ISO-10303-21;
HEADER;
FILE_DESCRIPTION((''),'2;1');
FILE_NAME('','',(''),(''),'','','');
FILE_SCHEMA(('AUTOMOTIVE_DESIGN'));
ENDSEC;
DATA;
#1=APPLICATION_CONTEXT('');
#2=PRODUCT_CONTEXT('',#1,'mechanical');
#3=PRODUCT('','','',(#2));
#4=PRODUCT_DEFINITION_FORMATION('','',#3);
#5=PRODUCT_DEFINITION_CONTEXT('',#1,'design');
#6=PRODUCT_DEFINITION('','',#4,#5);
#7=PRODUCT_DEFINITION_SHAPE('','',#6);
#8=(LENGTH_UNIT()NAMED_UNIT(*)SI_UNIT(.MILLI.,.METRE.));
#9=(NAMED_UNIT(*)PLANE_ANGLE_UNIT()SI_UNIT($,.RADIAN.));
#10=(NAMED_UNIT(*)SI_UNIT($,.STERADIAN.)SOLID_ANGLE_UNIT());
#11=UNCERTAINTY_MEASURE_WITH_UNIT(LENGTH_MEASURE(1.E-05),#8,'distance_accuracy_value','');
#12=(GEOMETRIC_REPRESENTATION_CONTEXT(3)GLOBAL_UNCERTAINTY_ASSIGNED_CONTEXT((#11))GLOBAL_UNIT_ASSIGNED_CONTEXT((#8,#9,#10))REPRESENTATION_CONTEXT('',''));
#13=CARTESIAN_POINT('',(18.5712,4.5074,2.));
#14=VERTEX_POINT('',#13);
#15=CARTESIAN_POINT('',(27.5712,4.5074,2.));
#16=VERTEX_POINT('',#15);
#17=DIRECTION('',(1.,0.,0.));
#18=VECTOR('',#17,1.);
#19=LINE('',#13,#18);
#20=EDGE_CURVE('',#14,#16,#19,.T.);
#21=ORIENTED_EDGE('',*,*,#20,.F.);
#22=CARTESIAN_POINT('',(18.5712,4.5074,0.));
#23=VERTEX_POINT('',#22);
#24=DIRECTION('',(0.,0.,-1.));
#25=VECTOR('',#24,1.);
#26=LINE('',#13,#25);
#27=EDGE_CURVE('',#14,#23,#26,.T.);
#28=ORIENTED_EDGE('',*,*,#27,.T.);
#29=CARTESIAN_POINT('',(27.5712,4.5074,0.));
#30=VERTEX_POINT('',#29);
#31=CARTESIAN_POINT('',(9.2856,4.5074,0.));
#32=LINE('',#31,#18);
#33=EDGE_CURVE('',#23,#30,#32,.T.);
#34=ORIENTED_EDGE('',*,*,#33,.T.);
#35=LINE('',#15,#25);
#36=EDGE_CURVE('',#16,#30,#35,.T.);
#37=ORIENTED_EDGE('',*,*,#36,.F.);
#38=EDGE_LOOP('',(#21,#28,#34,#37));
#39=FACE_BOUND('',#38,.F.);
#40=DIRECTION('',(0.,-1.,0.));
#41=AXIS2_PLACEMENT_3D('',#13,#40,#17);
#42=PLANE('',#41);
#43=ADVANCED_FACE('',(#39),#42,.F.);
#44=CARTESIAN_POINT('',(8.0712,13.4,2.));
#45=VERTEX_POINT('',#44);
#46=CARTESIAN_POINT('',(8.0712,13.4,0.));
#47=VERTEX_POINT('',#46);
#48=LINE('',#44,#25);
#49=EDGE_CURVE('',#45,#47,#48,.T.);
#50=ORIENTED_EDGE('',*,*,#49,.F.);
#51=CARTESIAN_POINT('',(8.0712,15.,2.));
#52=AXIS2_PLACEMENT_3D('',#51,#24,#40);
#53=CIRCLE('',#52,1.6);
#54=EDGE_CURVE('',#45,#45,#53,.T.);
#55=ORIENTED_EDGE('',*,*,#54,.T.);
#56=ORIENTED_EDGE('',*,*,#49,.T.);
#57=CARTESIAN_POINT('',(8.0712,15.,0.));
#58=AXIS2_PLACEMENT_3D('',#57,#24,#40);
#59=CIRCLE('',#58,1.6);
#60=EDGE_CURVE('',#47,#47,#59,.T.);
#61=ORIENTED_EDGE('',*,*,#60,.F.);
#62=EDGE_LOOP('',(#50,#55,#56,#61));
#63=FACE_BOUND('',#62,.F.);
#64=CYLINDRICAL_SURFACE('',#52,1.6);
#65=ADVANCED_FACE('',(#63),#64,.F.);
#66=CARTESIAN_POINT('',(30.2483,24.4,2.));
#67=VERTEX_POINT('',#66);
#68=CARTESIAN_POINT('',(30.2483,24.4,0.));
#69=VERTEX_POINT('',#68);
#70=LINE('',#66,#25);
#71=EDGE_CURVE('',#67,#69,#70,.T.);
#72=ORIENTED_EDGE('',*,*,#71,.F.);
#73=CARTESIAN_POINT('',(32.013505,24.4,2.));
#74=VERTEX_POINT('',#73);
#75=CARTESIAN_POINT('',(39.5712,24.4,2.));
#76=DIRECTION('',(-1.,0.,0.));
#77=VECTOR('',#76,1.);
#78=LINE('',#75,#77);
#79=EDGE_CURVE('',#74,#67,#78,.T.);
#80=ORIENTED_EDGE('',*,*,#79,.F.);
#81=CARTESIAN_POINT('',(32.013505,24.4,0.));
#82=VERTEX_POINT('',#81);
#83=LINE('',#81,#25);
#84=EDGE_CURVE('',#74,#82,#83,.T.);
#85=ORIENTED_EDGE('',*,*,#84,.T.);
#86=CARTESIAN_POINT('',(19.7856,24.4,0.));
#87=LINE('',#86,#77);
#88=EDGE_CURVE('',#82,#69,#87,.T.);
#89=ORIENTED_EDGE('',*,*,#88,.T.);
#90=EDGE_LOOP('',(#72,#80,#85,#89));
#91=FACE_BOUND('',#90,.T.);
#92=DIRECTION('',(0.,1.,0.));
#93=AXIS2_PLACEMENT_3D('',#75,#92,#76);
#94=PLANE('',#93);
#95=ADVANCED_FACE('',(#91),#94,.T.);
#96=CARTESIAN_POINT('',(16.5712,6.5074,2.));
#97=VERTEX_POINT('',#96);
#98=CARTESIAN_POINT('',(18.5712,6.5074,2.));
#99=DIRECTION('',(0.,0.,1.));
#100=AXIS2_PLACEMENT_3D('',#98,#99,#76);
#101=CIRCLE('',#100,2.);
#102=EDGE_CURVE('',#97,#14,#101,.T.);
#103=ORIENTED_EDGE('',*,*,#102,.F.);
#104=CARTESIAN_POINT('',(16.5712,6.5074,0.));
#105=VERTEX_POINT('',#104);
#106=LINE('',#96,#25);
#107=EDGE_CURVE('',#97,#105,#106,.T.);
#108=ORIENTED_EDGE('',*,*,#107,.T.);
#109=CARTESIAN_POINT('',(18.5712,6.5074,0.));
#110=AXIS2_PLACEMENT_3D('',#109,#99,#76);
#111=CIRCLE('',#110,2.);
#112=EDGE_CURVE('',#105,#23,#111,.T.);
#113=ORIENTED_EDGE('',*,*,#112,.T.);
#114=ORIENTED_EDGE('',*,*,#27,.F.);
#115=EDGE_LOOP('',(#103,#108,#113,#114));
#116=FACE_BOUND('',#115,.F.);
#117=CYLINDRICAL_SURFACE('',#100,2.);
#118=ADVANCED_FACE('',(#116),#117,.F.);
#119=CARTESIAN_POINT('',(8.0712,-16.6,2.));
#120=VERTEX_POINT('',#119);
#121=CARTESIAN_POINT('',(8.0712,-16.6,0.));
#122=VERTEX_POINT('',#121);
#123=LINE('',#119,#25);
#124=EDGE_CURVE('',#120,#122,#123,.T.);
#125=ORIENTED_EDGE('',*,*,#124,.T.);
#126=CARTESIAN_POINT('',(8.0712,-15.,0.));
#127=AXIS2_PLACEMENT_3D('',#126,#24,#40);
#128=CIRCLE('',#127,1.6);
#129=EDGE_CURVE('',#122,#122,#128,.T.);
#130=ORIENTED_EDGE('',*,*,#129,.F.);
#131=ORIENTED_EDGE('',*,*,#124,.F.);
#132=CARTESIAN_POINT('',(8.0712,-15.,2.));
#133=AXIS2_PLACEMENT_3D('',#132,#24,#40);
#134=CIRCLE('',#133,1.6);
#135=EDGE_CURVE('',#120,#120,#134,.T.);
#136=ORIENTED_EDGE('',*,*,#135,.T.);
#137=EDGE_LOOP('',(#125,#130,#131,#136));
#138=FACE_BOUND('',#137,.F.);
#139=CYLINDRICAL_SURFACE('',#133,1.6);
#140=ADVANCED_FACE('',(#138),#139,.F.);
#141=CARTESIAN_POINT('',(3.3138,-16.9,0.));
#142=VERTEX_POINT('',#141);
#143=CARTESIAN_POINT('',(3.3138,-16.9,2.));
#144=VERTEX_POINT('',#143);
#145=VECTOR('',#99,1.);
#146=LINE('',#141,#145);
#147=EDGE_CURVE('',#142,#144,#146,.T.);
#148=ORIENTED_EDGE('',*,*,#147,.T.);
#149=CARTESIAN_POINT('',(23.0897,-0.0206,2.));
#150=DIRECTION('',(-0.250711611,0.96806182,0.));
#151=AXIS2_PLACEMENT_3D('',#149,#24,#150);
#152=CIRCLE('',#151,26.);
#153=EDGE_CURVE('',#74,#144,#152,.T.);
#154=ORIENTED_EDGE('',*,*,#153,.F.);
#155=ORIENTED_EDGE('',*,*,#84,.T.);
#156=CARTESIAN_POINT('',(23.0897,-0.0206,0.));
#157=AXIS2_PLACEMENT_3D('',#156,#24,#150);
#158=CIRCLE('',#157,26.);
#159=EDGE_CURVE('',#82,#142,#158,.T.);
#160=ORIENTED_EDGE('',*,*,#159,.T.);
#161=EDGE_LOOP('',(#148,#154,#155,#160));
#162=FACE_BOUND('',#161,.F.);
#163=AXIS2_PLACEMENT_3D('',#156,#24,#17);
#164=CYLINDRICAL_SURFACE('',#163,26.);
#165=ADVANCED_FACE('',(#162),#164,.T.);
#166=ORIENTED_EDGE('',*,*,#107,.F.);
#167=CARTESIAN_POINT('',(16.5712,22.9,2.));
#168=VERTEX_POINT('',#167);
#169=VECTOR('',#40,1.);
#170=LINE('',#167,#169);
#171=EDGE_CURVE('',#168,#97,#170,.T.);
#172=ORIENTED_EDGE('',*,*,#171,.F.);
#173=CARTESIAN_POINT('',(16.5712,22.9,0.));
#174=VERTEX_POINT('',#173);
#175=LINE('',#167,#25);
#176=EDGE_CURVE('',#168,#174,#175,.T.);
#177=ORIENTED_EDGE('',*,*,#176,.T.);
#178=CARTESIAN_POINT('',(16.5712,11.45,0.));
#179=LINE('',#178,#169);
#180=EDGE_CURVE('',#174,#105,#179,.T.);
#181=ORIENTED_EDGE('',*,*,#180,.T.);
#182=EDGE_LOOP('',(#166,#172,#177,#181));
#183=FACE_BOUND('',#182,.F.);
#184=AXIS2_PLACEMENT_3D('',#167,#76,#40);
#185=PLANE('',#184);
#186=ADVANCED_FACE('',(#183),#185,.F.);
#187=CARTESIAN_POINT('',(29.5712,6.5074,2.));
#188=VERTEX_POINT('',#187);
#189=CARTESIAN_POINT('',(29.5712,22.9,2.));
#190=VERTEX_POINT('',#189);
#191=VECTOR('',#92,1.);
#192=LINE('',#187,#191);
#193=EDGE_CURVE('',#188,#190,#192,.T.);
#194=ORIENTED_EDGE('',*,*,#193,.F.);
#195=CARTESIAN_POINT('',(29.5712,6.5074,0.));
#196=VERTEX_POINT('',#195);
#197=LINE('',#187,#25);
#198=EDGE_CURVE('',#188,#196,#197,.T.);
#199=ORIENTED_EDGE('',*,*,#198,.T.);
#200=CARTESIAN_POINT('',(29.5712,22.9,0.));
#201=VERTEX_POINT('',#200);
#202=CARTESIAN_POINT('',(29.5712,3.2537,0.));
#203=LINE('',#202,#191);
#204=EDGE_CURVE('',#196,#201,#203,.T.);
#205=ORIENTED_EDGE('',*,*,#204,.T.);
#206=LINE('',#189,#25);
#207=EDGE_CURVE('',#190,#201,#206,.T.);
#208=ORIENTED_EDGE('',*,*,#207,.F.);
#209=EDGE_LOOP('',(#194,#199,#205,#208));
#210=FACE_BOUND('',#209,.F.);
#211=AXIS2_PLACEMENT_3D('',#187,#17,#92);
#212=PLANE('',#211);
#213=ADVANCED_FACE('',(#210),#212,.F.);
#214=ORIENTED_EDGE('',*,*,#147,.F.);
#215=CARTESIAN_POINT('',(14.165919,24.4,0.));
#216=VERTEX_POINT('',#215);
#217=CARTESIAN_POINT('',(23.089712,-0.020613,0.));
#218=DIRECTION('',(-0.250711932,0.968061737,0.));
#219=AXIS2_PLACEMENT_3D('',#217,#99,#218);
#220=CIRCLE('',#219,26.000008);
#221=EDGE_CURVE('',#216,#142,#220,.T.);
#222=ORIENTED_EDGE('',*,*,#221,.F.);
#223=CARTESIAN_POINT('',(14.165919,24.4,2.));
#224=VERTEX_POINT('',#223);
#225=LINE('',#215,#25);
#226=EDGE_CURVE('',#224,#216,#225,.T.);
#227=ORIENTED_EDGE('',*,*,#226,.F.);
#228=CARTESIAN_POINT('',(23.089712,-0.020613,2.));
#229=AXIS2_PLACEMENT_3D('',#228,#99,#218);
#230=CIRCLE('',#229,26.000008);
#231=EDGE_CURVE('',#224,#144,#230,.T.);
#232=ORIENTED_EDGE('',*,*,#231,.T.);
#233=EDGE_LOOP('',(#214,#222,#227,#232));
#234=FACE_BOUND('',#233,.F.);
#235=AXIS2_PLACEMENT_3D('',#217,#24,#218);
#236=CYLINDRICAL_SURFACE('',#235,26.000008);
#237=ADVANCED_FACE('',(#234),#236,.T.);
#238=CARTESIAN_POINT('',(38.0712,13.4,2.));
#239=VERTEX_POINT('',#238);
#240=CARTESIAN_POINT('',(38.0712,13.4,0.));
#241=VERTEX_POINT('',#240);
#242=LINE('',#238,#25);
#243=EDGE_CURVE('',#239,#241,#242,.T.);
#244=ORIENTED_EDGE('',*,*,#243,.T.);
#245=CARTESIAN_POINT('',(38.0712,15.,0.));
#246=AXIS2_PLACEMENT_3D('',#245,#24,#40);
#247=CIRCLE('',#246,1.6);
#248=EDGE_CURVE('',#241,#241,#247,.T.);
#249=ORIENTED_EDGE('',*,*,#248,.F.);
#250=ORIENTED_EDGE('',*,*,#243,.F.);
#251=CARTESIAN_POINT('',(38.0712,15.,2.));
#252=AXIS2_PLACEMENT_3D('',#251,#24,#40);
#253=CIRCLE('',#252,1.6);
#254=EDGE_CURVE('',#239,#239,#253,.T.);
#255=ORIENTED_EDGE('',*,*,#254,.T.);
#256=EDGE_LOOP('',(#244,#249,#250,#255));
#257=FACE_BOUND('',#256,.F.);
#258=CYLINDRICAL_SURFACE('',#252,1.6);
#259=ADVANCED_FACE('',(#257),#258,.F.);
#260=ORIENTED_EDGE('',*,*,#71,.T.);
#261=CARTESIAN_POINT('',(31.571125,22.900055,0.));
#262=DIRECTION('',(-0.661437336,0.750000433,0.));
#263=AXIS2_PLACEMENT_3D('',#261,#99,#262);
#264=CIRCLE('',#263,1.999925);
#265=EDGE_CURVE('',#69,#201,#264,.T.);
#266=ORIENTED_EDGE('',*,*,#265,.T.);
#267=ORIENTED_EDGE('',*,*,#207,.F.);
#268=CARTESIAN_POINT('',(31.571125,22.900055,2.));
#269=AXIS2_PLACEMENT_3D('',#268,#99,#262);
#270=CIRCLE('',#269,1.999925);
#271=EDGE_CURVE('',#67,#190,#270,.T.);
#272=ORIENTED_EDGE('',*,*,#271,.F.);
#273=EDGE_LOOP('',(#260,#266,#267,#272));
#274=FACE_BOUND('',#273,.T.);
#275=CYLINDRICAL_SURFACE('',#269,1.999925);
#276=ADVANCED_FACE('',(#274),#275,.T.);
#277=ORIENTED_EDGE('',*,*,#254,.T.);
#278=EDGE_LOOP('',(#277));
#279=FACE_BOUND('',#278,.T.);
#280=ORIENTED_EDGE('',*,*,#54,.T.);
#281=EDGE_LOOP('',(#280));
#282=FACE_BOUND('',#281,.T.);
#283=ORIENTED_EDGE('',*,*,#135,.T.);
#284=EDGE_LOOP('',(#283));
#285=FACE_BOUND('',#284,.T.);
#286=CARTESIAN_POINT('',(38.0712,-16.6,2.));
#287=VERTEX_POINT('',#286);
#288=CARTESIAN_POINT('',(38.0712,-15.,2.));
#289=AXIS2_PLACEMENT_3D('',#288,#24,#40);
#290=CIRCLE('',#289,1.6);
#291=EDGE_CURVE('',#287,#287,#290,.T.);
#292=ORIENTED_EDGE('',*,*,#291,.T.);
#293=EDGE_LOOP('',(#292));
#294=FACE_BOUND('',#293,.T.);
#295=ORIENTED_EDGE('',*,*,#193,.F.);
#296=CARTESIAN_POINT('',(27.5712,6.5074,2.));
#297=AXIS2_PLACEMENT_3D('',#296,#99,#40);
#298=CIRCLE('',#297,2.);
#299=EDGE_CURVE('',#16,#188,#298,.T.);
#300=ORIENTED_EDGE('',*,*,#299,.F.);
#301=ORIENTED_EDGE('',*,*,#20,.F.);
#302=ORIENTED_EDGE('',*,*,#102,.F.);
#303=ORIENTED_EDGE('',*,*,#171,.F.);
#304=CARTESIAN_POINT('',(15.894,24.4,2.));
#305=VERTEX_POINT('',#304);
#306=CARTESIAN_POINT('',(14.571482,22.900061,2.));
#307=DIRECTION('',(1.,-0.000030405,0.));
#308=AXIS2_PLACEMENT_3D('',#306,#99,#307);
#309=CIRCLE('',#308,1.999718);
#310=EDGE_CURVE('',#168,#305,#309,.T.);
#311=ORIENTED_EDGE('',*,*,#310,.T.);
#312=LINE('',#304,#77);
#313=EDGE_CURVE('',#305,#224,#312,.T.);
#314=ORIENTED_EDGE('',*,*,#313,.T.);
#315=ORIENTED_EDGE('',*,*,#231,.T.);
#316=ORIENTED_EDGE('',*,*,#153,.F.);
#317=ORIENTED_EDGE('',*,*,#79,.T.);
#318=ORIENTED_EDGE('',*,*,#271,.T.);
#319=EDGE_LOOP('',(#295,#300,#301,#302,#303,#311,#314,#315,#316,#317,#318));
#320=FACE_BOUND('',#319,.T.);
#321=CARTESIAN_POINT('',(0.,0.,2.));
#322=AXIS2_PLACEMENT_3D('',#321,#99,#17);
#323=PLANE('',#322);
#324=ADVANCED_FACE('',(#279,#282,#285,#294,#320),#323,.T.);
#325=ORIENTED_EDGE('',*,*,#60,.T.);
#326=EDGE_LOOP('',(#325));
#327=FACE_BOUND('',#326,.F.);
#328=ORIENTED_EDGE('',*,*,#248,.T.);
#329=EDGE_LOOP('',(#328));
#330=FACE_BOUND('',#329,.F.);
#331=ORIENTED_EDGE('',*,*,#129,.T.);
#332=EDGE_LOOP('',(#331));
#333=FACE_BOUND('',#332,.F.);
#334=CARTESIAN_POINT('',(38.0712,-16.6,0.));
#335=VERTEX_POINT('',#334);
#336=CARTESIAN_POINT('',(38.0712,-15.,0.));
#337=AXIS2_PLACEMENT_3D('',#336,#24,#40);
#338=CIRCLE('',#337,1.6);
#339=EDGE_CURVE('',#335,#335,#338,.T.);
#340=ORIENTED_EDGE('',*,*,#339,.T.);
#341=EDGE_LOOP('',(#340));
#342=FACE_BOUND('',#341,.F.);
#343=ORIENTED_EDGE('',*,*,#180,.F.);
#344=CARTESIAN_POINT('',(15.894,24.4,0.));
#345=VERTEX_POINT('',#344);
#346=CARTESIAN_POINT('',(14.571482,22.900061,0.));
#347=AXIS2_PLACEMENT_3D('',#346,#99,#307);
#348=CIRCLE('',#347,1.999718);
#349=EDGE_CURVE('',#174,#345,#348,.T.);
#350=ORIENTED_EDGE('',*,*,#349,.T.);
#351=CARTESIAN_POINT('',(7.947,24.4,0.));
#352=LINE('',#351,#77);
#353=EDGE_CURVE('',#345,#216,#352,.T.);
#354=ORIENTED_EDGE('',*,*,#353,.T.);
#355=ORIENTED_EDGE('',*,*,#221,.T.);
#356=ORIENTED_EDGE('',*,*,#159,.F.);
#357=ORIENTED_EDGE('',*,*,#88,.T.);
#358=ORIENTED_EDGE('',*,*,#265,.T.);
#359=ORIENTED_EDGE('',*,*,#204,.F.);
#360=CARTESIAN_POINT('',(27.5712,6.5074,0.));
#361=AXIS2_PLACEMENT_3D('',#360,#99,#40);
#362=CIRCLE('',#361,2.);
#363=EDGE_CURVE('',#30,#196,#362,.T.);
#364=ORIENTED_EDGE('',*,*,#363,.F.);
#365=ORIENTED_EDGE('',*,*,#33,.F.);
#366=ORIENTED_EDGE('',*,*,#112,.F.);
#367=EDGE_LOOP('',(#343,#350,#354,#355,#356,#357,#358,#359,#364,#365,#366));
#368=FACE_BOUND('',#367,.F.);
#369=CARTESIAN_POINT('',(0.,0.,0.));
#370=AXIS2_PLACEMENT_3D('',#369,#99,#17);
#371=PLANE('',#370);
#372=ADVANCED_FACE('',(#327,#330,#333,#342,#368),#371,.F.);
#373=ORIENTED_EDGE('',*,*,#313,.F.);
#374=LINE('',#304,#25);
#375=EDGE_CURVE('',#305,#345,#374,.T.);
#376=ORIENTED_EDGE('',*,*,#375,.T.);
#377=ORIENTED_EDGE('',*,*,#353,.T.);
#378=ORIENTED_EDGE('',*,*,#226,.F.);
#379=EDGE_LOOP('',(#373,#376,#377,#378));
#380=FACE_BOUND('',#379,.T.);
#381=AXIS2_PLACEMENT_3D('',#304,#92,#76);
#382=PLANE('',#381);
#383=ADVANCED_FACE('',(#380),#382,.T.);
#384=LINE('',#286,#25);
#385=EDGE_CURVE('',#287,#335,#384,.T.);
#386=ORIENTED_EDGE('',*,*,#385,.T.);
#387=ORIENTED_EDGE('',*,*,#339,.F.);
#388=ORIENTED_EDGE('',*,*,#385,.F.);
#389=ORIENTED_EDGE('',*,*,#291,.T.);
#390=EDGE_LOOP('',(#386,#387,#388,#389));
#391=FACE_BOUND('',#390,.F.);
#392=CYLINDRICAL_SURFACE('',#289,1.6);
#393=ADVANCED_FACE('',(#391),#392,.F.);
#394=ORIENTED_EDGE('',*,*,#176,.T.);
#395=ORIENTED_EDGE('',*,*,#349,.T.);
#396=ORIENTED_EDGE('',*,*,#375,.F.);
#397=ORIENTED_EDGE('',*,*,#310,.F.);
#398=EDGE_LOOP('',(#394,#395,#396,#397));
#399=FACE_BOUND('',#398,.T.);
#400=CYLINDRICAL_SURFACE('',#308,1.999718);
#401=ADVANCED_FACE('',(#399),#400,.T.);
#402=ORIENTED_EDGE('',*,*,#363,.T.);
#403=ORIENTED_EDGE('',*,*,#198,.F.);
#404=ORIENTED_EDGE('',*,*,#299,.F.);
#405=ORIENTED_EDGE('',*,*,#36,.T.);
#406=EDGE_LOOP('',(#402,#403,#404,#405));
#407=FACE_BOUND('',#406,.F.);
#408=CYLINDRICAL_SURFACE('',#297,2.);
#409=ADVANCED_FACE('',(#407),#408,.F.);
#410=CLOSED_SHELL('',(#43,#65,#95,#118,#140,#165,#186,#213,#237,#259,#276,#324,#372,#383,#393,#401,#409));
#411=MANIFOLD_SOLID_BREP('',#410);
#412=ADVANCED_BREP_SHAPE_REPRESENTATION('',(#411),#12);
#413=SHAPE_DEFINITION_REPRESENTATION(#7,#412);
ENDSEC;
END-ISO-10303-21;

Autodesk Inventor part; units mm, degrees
ref_plane "YZ Plane" through (0, 0, 0) normal (1, 0, 0) x (0, 1, 0)
ref_plane "XZ Plane" through (0, 0, 0) normal (0, 1, 0) x (-1, 0, 0)
ref_plane "XY Plane" through (0, 0, 0) normal (0, 0, 1) x (1, 0, 0)
ref_plane "Arbeitsebene1" through (0, 0, 0) normal (0, 0, 1) x (1, 0, 0)
sketch "Skizze1" plane through (0, 0, 0) normal (0, 0, 1) x (1, 0, 0)
  line L0 (8.0712, 15) -> (38.0712, 15)
  line L1 (38.0712, 15) -> (38.0712, -15)
  line L2 (38.0712, -15) -> (8.0712, -15)
  line L3 (8.0712, -15) -> (8.0712, 15)
  line L4 (38.0712, 19) -> (8.0712, 19)
  line L5 (4.0712, 15) -> (4.0712, -15)
  line L6 (8.0712, -19) -> (38.0712, -19)
  line L7 (42.0712, -15) -> (42.0712, 15)
  arc A0 (8.0712, 19) -> (4.0712, 15) centre (8.0712, 15) ccw
  arc A1 (42.0712, 15) -> (38.0712, 19) centre (38.0712, 15) ccw
  arc A2 (38.0712, -19) -> (42.0712, -15) centre (38.0712, -15) ccw
  arc A3 (4.0712, -15) -> (8.0712, -19) centre (8.0712, -15) ccw
  line L8 (29.9712, -18.3074) -> (29.9712, -24.4) projected
  circle A4 centre (38.0712, -15) radius 1.4 projected
  circle A5 centre (38.0712, 15) radius 1.4 projected
  line L9 (39.5712, -24.4) -> (29.9712, -24.4) projected
  line L10 (39.5712, -21.1181) -> (39.5712, -24.4) projected
  line L11 (44.1893, -16.5) -> (39.5712, -21.1181) projected
  line L12 (47.4712, -16.5) -> (44.1893, -16.5) projected
  line L13 (47.4712, 16.5) -> (47.4712, -16.5) projected
  line L14 (44.1893, 16.5) -> (47.4712, 16.5) projected
  line L15 (39.5712, 21.1181) -> (44.1893, 16.5) projected
  line L16 (39.5712, 24.4) -> (39.5712, 21.1181) projected
  line L17 (31.5712, 24.4) -> (39.5712, 24.4) projected
  line L18 (31.5712, 4.0068) -> (31.5712, 24.4) projected
  arc A6 (32.7786, 1.7) -> (31.5712, 4.0068) centre (29.9712, 1.7) ccw projected
  line L19 (32.7786, 1.7) -> (32.7786, -15.5) projected
  arc A7 (29.9712, -18.3074) -> (32.7786, -15.5) centre (29.9712, -15.5) ccw projected
  arc A8 (16.5712, 25.149) -> (3.3138, -16.9) centre (23.0897, -0.0206) ccw
  circle A9 centre (23.0897, -0.0206) radius 26
  point P0 (0, 0)
  point P1 (36.5793, -24.4)
  point P2 (31.5712, 11.3758)
  point P3 (3.3138, -16.9)
  dimension "d0" = 4
  dimension "d1" = 4
extrude "Extrusion1" add sketch "Skizze1" along normal blind 2 contours L3 L2 L19 A7 L8 L6 A3 L5 A0 L4 L18 L0 | L0 L18 A6 L19 L2 L3 | L18 L4 A1 L7 A2 L6 L8 A7 L19 L2 A4 L1 A5 L0 | L0 A5 L1 A4 L2 L19 A6 L18 | A5 L1 L0 | L0 L1 A5 | L18 L17 A9 L13 L9 L8 L6 A2 L7 A1 L4 | L4 A0 L5 A3 L6 L8 L9 A9 A8 L17 L18 | A4 L1 L2 | L2 L1 A4 | A9 L13
ref_plane "Arbeitsebene2" through (0, 0, 0) normal (0, 0, 1) x (1, 0, 0)
sketch "Skizze2" plane through (0, 0, 2) normal (0, 0, 1) x (1, 0, 0)
  arc A0 (8.0712, 19) -> (4.0712, 15) centre (8.0712, 15) ccw projected
  line L0 (4.0712, 15) -> (4.0712, -15) projected
  arc A1 (4.0712, -15) -> (8.0712, -19) centre (8.0712, -15) ccw projected
  line L1 (8.0712, -19) -> (38.0712, -19) projected
  arc A2 (38.0712, -19) -> (42.0712, -15) centre (38.0712, -15) ccw projected
  line L2 (42.0712, -15) -> (42.0712, 15) projected
  arc A3 (42.0712, 15) -> (38.0712, 19) centre (38.0712, 15) ccw projected
  line L3 (38.0712, 19) -> (8.0712, 19) projected
  circle A4 centre (8.0712, 15) radius 1.4 projected
  circle A5 centre (38.0712, 15) radius 1.4 projected
  circle A6 centre (38.0712, -15) radius 1.4 projected
  circle A7 centre (8.0712, -15) radius 1.4 projected
  point P0 (0, 0)
hole "Bohrung1" at (8.0712, 15, 2) at (8.0712, -15, 2) at (38.0712, -15, 2) at (38.0712, 15, 2) direction (0, 0, -1) diameter 3.2 end through all
sketch "Skizze3" plane through (0, 0, 2) normal (0, 0, 1) x (1, 0, 0)
  circle A0 centre (23.0919, -0.0207) radius 4.25 projected
  arc A1 (30.2483, 24.4) -> (29.5712, 22.9) centre (31.5712, 22.9) ccw projected
  line L0 (39.5712, 24.4) -> (30.2483, 24.4) projected
  line L1 (39.5712, 21.1181) -> (39.5712, 24.4) projected
  line L2 (44.1893, 16.5) -> (39.5712, 21.1181) projected
  line L3 (47.4712, 16.5) -> (44.1893, 16.5) projected
  line L4 (47.4712, -16.5) -> (47.4712, 16.5) projected
  line L5 (44.1893, -16.5) -> (47.4712, -16.5) projected
  line L6 (39.5712, -21.1181) -> (44.1893, -16.5) projected
  line L7 (39.5712, -24.4) -> (39.5712, -21.1181) projected
  line L8 (6.6126, -24.4) -> (39.5712, -24.4) projected
  line L9 (6.6126, -21.1595) -> (6.6126, -24.4) projected
  line L10 (1.9531, -16.5) -> (6.6126, -21.1595) projected
  line L11 (-1.3288, -16.5) -> (1.9531, -16.5) projected
  line L12 (-1.3288, 16.5) -> (-1.3288, -16.5) projected
  line L13 (1.9531, 16.5) -> (-1.3288, 16.5) projected
  line L14 (6.5712, 21.1181) -> (1.9531, 16.5) projected
  line L15 (6.5712, 24.4) -> (6.5712, 21.1181) projected
  line L16 (15.894, 24.4) -> (6.5712, 24.4) projected
  arc A2 (16.5712, 22.9) -> (15.894, 24.4) centre (14.5712, 22.9) ccw projected
  line L17 (16.5712, 22.9) -> (16.5712, 6.5074) projected
  arc A3 (16.5712, 6.5074) -> (18.5712, 4.5074) centre (18.5712, 6.5074) ccw projected
  line L18 (18.5712, 4.5074) -> (27.5712, 4.5074) projected
  arc A4 (27.5712, 4.5074) -> (29.5712, 6.5074) centre (27.5712, 6.5074) ccw projected
  line L19 (29.5712, 6.5074) -> (29.5712, 22.9) projected
  circle A5 centre (38.0712, 15) radius 1.4 projected
  circle A6 centre (8.0712, -15) radius 1.4 projected
  circle A7 centre (38.0712, -15) radius 1.4 projected
  circle A8 centre (8.0712, 15) radius 1.4 projected
  line L20 (15.894, 24.4) -> (30.2483, 24.4)
  line L21 (6.5712, 24.4) -> (39.5712, 24.4)
  line L22 (39.5712, 24.4) -> (39.5712, 27.6612)
  line L23 (39.5712, 27.6612) -> (6.5712, 27.6612)
  line L24 (6.5712, 27.6612) -> (6.5712, 24.4)
  point P0 (0, 0)
extrude "Extrusion2" cut sketch "Skizze3" against normal blind 10 contours L20 L16 L24 L23 L22 L0 | A1 L19 A4 L18 A3 L17 A2 L20
fillet "Rundung1" [suppressed]
properties part number "20_Cube_Insert_SEEED_Xiao_Sense_Camera_backplate"
